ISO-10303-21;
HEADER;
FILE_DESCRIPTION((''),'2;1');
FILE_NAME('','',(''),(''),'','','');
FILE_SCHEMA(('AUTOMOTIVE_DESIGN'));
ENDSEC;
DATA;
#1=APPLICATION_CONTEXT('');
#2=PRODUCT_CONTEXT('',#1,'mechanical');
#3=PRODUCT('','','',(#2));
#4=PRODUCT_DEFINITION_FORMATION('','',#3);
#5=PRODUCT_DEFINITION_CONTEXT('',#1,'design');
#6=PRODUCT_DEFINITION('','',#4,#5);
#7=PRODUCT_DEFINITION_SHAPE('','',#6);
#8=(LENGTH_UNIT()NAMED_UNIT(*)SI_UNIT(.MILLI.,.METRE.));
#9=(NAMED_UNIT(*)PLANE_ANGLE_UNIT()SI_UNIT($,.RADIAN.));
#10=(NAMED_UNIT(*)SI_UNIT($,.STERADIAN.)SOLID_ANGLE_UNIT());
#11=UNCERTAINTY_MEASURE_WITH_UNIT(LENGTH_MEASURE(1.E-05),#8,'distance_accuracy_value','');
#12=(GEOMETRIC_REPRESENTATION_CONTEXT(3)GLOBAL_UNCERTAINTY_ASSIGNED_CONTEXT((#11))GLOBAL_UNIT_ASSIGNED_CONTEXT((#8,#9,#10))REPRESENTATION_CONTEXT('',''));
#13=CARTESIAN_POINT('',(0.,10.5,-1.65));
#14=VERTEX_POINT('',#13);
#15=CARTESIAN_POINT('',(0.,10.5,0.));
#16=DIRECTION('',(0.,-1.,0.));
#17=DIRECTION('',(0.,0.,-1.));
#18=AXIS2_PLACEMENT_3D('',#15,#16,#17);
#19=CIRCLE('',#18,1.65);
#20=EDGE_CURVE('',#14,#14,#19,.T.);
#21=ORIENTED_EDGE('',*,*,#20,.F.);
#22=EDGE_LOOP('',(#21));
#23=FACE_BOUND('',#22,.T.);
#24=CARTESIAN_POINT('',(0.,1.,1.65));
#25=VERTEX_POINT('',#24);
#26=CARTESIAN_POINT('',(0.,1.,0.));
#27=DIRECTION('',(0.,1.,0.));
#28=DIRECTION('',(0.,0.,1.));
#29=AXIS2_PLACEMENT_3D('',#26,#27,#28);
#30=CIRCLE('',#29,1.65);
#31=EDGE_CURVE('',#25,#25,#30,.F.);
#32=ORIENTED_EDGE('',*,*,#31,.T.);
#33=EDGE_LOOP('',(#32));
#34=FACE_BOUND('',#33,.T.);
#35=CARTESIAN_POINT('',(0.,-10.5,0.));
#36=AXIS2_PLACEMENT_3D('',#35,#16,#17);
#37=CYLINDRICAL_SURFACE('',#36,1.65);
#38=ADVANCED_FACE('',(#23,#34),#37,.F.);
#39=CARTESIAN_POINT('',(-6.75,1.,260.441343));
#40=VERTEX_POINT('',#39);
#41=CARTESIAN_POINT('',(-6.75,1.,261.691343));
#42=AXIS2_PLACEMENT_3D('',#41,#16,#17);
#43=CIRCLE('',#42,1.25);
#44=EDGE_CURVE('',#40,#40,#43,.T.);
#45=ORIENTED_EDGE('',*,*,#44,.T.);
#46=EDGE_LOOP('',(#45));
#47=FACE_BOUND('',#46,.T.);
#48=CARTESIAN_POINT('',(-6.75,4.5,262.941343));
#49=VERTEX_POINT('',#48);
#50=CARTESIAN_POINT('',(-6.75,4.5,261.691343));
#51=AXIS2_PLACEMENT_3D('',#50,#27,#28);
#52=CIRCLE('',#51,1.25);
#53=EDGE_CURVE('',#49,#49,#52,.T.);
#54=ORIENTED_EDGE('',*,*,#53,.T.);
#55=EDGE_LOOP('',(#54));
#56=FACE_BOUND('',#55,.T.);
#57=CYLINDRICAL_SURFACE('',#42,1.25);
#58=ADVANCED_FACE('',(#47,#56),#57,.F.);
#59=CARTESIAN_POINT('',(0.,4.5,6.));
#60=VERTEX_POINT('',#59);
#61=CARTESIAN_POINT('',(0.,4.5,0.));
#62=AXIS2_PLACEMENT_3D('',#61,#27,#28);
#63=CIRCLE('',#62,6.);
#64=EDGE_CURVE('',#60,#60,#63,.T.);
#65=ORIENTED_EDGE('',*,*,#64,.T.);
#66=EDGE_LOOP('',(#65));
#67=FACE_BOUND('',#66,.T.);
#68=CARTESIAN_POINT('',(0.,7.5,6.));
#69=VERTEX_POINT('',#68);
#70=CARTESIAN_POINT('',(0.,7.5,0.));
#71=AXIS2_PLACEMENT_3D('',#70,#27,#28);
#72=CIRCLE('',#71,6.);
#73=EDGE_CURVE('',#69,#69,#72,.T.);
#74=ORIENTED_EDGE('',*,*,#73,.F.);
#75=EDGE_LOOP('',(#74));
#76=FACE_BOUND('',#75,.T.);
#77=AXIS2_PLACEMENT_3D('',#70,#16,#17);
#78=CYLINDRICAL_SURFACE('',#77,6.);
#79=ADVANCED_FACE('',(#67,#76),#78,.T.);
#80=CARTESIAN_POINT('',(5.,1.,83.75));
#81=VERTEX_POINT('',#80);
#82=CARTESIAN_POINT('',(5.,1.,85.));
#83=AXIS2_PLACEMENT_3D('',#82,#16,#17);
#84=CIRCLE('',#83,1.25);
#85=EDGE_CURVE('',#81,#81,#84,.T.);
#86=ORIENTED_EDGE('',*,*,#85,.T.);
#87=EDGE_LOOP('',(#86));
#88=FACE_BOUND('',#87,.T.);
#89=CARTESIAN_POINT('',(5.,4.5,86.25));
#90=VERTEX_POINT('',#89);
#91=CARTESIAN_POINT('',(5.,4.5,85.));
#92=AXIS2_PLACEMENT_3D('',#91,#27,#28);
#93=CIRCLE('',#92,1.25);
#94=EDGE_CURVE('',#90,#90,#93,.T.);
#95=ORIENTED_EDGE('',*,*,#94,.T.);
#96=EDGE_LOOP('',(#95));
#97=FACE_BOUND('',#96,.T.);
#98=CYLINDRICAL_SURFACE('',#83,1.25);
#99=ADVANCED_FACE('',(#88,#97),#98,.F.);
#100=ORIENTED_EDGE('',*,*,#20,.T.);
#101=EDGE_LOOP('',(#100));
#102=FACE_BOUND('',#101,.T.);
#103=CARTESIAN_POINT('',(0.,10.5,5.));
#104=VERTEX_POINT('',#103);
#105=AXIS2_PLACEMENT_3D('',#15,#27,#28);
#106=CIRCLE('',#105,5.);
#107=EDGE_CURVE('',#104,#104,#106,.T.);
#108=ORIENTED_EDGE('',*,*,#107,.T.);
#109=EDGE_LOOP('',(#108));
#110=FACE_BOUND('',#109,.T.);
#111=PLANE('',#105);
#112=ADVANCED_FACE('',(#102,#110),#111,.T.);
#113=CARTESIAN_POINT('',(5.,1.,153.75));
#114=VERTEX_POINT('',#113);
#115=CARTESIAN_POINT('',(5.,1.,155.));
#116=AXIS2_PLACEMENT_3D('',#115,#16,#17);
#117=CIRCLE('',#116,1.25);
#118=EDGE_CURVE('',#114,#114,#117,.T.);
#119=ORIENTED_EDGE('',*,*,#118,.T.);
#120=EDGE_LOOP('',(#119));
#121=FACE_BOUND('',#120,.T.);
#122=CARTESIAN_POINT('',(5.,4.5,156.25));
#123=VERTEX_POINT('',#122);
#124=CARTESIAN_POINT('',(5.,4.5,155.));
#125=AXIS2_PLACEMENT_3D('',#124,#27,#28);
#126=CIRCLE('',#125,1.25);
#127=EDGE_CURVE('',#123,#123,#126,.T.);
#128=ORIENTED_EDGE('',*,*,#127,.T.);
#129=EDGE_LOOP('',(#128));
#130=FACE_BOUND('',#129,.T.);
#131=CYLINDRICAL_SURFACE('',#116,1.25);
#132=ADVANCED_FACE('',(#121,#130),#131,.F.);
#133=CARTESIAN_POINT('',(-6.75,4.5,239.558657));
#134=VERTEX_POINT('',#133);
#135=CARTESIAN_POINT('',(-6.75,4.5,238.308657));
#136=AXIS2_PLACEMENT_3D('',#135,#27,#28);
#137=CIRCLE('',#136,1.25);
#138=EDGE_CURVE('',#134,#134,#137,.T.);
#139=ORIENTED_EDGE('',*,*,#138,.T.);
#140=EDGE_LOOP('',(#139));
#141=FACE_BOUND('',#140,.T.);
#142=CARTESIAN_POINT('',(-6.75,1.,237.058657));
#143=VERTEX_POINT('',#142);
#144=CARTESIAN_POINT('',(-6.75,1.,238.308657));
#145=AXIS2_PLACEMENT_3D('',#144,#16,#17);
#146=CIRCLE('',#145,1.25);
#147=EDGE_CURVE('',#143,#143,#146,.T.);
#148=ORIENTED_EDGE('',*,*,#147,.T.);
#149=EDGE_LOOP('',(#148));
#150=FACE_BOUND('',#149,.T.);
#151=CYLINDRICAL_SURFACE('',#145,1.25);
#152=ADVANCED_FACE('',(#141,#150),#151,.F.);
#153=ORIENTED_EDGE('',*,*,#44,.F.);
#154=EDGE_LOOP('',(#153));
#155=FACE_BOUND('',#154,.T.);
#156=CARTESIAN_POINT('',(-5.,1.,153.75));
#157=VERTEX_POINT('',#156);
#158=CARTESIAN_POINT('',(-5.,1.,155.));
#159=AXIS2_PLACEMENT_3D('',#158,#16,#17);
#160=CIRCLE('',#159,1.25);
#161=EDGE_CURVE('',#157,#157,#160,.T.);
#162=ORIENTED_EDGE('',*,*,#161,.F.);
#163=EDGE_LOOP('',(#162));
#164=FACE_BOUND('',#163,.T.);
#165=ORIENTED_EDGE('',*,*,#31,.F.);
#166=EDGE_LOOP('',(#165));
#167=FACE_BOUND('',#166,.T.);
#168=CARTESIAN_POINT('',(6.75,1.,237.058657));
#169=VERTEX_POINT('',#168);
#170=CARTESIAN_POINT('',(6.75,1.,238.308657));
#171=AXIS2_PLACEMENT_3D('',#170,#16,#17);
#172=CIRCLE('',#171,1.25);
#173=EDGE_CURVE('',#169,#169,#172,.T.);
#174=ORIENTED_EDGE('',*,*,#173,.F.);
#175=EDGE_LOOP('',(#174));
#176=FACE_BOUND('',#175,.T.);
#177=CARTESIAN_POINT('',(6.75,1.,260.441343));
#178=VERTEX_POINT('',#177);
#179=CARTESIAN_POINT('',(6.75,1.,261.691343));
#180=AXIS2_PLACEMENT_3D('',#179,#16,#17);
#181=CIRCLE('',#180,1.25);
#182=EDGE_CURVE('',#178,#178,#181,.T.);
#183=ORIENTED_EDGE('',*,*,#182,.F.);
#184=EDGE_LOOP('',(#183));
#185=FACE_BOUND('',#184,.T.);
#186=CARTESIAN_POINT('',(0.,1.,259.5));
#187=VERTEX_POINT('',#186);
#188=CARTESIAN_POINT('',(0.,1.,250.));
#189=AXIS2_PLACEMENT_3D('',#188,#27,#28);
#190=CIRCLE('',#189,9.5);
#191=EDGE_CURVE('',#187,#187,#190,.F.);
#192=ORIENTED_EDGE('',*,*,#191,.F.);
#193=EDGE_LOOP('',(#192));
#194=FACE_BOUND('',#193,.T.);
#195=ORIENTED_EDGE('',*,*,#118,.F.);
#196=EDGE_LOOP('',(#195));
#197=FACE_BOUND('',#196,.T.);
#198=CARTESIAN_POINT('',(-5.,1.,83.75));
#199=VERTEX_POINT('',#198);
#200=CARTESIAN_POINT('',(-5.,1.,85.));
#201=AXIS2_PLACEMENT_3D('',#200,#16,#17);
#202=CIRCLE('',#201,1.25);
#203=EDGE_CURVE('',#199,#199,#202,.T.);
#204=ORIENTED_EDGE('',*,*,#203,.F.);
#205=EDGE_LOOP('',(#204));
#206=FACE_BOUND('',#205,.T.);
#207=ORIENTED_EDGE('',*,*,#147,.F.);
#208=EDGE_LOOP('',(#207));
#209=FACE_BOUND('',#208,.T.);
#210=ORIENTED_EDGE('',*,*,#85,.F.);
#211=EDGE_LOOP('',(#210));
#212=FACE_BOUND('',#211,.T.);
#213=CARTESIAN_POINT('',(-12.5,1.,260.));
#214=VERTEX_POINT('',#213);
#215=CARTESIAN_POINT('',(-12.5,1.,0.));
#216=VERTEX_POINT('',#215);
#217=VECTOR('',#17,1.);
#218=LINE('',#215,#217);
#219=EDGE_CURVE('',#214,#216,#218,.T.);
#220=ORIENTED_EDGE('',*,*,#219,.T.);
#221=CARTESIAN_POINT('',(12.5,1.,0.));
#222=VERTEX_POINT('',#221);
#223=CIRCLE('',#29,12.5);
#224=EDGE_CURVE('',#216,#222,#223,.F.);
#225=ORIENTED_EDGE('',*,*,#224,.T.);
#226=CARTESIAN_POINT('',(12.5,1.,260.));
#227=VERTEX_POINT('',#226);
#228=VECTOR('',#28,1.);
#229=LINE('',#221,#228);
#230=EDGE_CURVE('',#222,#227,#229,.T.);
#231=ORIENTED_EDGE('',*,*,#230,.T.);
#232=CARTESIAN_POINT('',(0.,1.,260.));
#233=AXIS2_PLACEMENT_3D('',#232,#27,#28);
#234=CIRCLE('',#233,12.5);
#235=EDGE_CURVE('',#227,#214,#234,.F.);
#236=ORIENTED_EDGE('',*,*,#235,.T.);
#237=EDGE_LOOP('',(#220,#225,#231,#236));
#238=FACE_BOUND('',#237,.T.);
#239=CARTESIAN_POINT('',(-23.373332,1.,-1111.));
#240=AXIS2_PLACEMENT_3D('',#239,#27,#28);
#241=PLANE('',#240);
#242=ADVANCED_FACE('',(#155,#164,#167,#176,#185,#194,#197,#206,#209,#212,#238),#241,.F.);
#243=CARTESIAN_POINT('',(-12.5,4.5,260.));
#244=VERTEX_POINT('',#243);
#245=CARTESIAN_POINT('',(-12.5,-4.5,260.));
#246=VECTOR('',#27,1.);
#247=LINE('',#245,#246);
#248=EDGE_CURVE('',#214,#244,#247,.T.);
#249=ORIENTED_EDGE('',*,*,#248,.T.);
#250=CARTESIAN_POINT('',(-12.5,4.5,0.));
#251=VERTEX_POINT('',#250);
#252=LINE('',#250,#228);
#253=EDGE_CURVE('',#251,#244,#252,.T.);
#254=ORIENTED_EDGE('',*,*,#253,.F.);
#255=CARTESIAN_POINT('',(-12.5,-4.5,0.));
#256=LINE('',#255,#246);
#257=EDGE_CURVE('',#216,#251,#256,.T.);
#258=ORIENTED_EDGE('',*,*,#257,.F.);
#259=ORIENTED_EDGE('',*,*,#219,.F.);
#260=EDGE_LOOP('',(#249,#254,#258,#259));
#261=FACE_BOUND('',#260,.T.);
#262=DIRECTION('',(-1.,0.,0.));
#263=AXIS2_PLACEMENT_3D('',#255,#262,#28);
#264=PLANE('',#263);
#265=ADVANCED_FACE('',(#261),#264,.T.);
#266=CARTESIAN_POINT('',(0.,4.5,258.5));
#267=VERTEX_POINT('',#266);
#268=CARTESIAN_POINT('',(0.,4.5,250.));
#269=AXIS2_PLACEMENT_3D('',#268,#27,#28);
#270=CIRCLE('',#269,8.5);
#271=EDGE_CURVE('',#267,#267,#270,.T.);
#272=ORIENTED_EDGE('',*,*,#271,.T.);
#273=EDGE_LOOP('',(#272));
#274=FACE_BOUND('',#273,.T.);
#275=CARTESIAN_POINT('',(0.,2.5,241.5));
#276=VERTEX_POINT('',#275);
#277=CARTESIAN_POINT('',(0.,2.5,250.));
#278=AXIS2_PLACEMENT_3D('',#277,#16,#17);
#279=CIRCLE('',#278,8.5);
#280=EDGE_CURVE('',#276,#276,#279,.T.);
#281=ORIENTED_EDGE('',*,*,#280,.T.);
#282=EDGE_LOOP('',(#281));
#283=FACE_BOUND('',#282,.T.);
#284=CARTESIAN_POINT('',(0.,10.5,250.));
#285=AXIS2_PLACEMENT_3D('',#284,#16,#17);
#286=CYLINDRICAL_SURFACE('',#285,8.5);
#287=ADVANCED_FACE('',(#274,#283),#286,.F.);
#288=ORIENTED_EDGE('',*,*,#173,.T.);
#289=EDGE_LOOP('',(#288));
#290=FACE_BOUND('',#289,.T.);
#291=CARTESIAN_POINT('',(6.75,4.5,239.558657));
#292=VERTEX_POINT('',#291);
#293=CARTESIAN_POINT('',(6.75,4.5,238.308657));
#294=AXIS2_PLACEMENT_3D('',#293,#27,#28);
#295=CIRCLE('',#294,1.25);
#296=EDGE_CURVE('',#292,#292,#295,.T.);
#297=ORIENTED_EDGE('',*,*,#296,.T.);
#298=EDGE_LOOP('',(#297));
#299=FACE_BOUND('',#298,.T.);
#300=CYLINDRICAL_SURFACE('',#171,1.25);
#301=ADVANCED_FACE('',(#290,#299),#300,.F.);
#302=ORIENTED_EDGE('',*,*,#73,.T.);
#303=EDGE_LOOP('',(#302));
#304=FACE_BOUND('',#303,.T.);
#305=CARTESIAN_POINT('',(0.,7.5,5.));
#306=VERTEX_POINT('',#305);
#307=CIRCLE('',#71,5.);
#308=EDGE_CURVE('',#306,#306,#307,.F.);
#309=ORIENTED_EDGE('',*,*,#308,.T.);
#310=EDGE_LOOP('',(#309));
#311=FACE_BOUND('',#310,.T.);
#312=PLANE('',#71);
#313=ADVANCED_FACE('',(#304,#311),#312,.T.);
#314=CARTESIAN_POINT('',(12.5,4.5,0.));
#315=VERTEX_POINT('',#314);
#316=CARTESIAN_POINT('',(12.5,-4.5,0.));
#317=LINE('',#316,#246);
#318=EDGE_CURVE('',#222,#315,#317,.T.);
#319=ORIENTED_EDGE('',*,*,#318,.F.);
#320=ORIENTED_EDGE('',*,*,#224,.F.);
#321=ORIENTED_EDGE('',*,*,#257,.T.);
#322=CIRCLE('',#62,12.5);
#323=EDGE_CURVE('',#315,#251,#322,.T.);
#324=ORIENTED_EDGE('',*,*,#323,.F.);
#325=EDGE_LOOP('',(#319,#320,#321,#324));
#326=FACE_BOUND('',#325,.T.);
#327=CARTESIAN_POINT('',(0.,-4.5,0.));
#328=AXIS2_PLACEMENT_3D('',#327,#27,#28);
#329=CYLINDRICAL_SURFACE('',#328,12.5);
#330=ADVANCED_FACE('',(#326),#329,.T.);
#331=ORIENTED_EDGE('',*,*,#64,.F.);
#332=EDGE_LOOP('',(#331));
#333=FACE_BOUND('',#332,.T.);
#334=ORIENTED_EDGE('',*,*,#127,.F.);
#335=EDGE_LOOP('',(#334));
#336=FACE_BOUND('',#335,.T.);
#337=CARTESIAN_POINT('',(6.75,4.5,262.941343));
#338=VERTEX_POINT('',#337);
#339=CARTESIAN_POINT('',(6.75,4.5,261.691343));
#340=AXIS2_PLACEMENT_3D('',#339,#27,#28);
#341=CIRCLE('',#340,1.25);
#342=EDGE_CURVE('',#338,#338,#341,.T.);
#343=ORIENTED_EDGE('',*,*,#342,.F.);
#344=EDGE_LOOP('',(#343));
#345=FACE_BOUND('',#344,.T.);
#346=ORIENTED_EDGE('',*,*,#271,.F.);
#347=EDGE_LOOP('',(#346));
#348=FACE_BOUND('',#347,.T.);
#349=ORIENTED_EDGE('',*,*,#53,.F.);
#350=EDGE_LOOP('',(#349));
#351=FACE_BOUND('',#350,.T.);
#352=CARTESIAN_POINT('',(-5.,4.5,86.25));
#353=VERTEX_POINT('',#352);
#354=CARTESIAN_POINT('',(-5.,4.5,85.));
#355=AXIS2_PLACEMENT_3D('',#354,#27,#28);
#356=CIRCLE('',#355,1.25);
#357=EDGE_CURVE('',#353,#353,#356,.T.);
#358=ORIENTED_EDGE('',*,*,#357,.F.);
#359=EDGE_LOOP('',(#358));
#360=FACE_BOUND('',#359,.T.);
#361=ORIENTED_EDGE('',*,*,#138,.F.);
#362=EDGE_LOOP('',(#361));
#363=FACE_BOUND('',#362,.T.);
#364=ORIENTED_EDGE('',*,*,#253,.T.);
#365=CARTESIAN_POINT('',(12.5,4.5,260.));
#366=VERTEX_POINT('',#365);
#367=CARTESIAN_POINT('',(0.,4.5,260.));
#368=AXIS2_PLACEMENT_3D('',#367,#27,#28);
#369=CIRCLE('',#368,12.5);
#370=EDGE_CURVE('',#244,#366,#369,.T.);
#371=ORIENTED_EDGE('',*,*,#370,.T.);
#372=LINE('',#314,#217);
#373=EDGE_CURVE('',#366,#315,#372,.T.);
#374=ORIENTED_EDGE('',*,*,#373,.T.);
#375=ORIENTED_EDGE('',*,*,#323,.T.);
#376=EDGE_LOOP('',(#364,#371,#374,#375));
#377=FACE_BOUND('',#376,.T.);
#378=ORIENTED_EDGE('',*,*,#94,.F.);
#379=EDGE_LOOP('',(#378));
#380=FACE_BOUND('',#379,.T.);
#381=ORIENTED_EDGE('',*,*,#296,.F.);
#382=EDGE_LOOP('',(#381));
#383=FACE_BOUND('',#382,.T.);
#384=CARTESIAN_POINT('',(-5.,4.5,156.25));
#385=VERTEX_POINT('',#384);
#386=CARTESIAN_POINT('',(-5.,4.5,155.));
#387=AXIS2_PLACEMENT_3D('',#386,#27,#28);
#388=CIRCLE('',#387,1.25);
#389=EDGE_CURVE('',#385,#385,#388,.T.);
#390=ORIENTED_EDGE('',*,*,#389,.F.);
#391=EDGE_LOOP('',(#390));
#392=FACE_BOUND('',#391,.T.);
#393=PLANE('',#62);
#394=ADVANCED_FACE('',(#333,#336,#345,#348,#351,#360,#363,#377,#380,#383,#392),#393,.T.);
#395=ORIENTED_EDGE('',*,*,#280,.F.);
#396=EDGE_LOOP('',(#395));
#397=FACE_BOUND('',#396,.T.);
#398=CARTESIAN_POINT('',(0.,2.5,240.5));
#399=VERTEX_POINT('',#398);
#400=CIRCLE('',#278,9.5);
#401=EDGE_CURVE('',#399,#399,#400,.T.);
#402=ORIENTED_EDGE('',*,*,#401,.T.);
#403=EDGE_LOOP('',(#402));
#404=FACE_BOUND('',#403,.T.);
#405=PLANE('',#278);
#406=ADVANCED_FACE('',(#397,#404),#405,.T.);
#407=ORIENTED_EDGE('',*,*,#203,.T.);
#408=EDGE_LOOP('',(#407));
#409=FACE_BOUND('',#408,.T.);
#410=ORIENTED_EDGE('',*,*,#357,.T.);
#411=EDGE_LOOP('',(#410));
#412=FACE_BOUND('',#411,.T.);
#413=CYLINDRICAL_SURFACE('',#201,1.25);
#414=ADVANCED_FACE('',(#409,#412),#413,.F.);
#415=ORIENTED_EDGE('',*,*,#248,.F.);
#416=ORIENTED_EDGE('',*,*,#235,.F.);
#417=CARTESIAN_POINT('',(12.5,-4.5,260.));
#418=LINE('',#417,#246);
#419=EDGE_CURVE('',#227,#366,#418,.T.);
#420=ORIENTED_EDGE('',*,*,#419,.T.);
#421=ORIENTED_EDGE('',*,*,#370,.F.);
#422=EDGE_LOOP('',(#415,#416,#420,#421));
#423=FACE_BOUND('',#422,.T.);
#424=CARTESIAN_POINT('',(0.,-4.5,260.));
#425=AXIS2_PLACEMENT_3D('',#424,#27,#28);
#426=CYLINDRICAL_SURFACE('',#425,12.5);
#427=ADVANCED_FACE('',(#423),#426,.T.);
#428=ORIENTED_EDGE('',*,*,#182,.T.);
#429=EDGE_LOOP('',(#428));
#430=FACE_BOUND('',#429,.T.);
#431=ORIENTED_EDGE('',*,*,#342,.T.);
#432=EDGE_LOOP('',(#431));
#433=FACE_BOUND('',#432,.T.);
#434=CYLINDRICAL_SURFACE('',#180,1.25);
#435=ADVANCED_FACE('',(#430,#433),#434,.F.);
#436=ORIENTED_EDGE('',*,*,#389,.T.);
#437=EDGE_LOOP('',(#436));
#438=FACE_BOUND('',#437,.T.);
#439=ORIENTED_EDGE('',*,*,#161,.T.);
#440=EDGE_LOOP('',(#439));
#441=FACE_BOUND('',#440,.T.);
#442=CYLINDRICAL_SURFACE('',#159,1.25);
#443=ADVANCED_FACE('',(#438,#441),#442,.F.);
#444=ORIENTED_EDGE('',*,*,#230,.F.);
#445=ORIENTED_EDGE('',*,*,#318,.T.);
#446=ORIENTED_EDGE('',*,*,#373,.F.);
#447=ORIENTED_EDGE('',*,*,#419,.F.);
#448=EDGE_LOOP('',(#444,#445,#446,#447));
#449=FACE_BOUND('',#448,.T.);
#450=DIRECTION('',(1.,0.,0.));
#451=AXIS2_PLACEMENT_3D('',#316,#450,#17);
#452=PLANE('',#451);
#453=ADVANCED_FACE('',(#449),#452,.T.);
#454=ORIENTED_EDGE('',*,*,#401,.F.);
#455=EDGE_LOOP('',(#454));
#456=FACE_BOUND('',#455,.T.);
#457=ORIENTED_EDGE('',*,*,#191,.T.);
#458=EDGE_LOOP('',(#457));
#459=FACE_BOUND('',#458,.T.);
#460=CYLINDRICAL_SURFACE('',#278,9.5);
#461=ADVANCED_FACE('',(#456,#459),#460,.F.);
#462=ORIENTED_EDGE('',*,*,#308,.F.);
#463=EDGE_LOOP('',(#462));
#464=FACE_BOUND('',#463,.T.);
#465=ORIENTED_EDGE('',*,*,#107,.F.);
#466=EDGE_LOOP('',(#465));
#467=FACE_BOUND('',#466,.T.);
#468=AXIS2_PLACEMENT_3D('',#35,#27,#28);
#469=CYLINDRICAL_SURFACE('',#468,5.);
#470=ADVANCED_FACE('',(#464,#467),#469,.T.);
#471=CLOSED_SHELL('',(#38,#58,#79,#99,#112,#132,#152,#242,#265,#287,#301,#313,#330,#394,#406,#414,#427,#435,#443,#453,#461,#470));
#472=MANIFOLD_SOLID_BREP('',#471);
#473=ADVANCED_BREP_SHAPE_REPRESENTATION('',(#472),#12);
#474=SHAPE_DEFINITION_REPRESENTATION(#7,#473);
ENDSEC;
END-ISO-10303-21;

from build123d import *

# Parameters (mm, degrees)
EXTRUDE_1_DEPTH             = 10.5
EXTRUDE_1_DEPTH_BACK        = 10.5
SKETCH_1_R                  = 5
EXTRUDE_3_DEPTH             = 4.5
EXTRUDE_3_DEPTH_BACK        = 4.5
SKETCH_7_R                  = 6
EXTRUDE_4_DEPTH             = 3
EXTRUDE_START               = 3
SKETCH_8_R                  = 6
EXTRUDE_5_DEPTH             = 3
SKETCH_9_R                  = 9.5
CUT_EXTRUDE_1_DEPTH         = 7
SKETCH_10_R                 = 8.5
CUT_EXTRUDE_2_DEPTH         = 274.096136919
HOLE_WIZARD_M4_1_D          = 3.3
SKETCH_22_W                 = 46.630089335
SKETCH_22_H                 = 20.014444788
CUT_EXTRUDE_3_DEPTH         = 1111
HOLE_WIZARD_M3_2_D          = 2.5
PATTERN_LINEAR_1_COUNT      = 3
PATTERN_LINEAR_1_PITCH      = 70
PATTERN_LINEAR_1_COUNT_DIR2 = 2
PATTERN_LINEAR_1_PITCH_DIR2 = 10
HOLE_WIZARD_M3_1_D          = 2.5
PATTERN_CIRCULAR_1_COUNT    = 6
EXTRUDE_START_2             = -3.5
SKETCH_32_R                 = 1.25
EXTRUDE_6_DEPTH             = 3.5


with BuildPart() as part:
    # 스케치1 → 보스-돌출1 (new, two sides: drawn at the far end of the back side and taken through both)
    with BuildSketch(Plane(origin=(0, 0, 0), x_dir=(1, 0, 0), z_dir=(0, 1, 0)).offset(-EXTRUDE_1_DEPTH_BACK)):
        Circle(SKETCH_1_R)
    extrude(amount=EXTRUDE_1_DEPTH + EXTRUDE_1_DEPTH_BACK)

    # 스케치6 → 보스-돌출3 (add, two sides: drawn at the far end of the back side and taken through both)
    with BuildSketch(Plane(origin=(0, 0, 0), x_dir=(1, 0, 0), z_dir=(0, 1, 0)).offset(-EXTRUDE_3_DEPTH_BACK)):
        with BuildLine():
            Line((-12.5, 0), (-12.5, -260))
            ThreePointArc((-12.5, -260), (0, -272.5), (12.5, -260))
            Line((12.5, -260), (12.5, 0))
            ThreePointArc((12.5, 0), (0, 12.5), (-12.5, 0))
        make_face()
    extrude(amount=EXTRUDE_3_DEPTH + EXTRUDE_3_DEPTH_BACK)

    # 스케치7 → 보스-돌출4 (add)
    with BuildSketch(Plane.XZ.offset(4.5)):
        Circle(SKETCH_7_R)
    extrude(amount=EXTRUDE_4_DEPTH)

    # 스케치8 → 보스-돌출5 (add)
    with BuildSketch(Plane(origin=(0, 4.5, 0), x_dir=(1, 0, 0), z_dir=(0, 1, 0)).offset(EXTRUDE_START)):
        Circle(SKETCH_8_R)
    extrude(amount=-EXTRUDE_5_DEPTH)

    # 스케치9 → 컷-돌출1 (cut)
    with BuildSketch(Plane.XZ.offset(4.5)):
        with Locations((0, 250)):
            Circle(SKETCH_9_R)
    extrude(amount=-CUT_EXTRUDE_1_DEPTH, mode=Mode.SUBTRACT)

    # 스케치10 → 컷-돌출2 (cut, through all)
    with BuildSketch(Plane.XZ.offset(-2.5)):
        with Locations((0, 250)):
            Circle(SKETCH_10_R)
    extrude(amount=-CUT_EXTRUDE_2_DEPTH, mode=Mode.SUBTRACT)

    # M4 탭을 위한 탭 드릴1 (through all)
    with Locations(Plane(origin=(0, -10.5, 0), x_dir=(-1, 0, 0), z_dir=(0, -1, 0))):
        with Locations((0, 0)):
            Hole(HOLE_WIZARD_M4_1_D / 2)

    # 스케치22 → 컷-돌출3 (cut, symmetric)
    with BuildSketch(Plane.XY):
        with Locations((-0.058287612, -9.007222394)):
            Rectangle(SKETCH_22_W, SKETCH_22_H)
    extrude(amount=CUT_EXTRUDE_3_DEPTH, both=True, mode=Mode.SUBTRACT)

    # M3 탭을 위한 탭 드릴2 (through all)
    with Locations(Plane(origin=(0, 1, 0), x_dir=(-1, 0, 0), z_dir=(0, -1, 0))):
        with Locations((5, -15)):
            hole_wizard_m3_2 = Hole(HOLE_WIZARD_M3_2_D / 2)

    # 선형 패턴1: Hole Wizard M3 _ _ _ _2 3 × 2
    with Locations(*[(j * PATTERN_LINEAR_1_PITCH_DIR2, 0, i * PATTERN_LINEAR_1_PITCH) for i in range(PATTERN_LINEAR_1_COUNT) for j in range(PATTERN_LINEAR_1_COUNT_DIR2) if (i, j) != (0, 0)]):
        add(hole_wizard_m3_2, mode=Mode.SUBTRACT)

    # M3 탭을 위한 탭 드릴1 (through all)
    with Locations(Plane(origin=(0, 1, 0), x_dir=(-1, 0, 0), z_dir=(0, -1, 0))):
        with Locations((6.75, -261.691342951)):
            hole_wizard_m3_1 = Hole(HOLE_WIZARD_M3_1_D / 2)

    # 원형 패턴1: M3 탭을 위한 탭 드릴1 ×6 about axis, 2 skipped
    pattern_circular_1_axis = Axis((0, 2.5, 250), (0, -1, 0))
    add([hole_wizard_m3_1.rotate(pattern_circular_1_axis, i * 360 / PATTERN_CIRCULAR_1_COUNT) for i in range(1, PATTERN_CIRCULAR_1_COUNT) if i not in (1, 4)], mode=Mode.SUBTRACT)

    # 스케치32 → 보스-돌출6 (add)
    with BuildSketch(Plane.XZ.offset(-1).offset(EXTRUDE_START_2)):
        with Locations((-5, 15)):
            Circle(SKETCH_32_R)
        with Locations((5, 15)):
            Circle(SKETCH_32_R)
    extrude(amount=EXTRUDE_6_DEPTH)


solid = part.part
